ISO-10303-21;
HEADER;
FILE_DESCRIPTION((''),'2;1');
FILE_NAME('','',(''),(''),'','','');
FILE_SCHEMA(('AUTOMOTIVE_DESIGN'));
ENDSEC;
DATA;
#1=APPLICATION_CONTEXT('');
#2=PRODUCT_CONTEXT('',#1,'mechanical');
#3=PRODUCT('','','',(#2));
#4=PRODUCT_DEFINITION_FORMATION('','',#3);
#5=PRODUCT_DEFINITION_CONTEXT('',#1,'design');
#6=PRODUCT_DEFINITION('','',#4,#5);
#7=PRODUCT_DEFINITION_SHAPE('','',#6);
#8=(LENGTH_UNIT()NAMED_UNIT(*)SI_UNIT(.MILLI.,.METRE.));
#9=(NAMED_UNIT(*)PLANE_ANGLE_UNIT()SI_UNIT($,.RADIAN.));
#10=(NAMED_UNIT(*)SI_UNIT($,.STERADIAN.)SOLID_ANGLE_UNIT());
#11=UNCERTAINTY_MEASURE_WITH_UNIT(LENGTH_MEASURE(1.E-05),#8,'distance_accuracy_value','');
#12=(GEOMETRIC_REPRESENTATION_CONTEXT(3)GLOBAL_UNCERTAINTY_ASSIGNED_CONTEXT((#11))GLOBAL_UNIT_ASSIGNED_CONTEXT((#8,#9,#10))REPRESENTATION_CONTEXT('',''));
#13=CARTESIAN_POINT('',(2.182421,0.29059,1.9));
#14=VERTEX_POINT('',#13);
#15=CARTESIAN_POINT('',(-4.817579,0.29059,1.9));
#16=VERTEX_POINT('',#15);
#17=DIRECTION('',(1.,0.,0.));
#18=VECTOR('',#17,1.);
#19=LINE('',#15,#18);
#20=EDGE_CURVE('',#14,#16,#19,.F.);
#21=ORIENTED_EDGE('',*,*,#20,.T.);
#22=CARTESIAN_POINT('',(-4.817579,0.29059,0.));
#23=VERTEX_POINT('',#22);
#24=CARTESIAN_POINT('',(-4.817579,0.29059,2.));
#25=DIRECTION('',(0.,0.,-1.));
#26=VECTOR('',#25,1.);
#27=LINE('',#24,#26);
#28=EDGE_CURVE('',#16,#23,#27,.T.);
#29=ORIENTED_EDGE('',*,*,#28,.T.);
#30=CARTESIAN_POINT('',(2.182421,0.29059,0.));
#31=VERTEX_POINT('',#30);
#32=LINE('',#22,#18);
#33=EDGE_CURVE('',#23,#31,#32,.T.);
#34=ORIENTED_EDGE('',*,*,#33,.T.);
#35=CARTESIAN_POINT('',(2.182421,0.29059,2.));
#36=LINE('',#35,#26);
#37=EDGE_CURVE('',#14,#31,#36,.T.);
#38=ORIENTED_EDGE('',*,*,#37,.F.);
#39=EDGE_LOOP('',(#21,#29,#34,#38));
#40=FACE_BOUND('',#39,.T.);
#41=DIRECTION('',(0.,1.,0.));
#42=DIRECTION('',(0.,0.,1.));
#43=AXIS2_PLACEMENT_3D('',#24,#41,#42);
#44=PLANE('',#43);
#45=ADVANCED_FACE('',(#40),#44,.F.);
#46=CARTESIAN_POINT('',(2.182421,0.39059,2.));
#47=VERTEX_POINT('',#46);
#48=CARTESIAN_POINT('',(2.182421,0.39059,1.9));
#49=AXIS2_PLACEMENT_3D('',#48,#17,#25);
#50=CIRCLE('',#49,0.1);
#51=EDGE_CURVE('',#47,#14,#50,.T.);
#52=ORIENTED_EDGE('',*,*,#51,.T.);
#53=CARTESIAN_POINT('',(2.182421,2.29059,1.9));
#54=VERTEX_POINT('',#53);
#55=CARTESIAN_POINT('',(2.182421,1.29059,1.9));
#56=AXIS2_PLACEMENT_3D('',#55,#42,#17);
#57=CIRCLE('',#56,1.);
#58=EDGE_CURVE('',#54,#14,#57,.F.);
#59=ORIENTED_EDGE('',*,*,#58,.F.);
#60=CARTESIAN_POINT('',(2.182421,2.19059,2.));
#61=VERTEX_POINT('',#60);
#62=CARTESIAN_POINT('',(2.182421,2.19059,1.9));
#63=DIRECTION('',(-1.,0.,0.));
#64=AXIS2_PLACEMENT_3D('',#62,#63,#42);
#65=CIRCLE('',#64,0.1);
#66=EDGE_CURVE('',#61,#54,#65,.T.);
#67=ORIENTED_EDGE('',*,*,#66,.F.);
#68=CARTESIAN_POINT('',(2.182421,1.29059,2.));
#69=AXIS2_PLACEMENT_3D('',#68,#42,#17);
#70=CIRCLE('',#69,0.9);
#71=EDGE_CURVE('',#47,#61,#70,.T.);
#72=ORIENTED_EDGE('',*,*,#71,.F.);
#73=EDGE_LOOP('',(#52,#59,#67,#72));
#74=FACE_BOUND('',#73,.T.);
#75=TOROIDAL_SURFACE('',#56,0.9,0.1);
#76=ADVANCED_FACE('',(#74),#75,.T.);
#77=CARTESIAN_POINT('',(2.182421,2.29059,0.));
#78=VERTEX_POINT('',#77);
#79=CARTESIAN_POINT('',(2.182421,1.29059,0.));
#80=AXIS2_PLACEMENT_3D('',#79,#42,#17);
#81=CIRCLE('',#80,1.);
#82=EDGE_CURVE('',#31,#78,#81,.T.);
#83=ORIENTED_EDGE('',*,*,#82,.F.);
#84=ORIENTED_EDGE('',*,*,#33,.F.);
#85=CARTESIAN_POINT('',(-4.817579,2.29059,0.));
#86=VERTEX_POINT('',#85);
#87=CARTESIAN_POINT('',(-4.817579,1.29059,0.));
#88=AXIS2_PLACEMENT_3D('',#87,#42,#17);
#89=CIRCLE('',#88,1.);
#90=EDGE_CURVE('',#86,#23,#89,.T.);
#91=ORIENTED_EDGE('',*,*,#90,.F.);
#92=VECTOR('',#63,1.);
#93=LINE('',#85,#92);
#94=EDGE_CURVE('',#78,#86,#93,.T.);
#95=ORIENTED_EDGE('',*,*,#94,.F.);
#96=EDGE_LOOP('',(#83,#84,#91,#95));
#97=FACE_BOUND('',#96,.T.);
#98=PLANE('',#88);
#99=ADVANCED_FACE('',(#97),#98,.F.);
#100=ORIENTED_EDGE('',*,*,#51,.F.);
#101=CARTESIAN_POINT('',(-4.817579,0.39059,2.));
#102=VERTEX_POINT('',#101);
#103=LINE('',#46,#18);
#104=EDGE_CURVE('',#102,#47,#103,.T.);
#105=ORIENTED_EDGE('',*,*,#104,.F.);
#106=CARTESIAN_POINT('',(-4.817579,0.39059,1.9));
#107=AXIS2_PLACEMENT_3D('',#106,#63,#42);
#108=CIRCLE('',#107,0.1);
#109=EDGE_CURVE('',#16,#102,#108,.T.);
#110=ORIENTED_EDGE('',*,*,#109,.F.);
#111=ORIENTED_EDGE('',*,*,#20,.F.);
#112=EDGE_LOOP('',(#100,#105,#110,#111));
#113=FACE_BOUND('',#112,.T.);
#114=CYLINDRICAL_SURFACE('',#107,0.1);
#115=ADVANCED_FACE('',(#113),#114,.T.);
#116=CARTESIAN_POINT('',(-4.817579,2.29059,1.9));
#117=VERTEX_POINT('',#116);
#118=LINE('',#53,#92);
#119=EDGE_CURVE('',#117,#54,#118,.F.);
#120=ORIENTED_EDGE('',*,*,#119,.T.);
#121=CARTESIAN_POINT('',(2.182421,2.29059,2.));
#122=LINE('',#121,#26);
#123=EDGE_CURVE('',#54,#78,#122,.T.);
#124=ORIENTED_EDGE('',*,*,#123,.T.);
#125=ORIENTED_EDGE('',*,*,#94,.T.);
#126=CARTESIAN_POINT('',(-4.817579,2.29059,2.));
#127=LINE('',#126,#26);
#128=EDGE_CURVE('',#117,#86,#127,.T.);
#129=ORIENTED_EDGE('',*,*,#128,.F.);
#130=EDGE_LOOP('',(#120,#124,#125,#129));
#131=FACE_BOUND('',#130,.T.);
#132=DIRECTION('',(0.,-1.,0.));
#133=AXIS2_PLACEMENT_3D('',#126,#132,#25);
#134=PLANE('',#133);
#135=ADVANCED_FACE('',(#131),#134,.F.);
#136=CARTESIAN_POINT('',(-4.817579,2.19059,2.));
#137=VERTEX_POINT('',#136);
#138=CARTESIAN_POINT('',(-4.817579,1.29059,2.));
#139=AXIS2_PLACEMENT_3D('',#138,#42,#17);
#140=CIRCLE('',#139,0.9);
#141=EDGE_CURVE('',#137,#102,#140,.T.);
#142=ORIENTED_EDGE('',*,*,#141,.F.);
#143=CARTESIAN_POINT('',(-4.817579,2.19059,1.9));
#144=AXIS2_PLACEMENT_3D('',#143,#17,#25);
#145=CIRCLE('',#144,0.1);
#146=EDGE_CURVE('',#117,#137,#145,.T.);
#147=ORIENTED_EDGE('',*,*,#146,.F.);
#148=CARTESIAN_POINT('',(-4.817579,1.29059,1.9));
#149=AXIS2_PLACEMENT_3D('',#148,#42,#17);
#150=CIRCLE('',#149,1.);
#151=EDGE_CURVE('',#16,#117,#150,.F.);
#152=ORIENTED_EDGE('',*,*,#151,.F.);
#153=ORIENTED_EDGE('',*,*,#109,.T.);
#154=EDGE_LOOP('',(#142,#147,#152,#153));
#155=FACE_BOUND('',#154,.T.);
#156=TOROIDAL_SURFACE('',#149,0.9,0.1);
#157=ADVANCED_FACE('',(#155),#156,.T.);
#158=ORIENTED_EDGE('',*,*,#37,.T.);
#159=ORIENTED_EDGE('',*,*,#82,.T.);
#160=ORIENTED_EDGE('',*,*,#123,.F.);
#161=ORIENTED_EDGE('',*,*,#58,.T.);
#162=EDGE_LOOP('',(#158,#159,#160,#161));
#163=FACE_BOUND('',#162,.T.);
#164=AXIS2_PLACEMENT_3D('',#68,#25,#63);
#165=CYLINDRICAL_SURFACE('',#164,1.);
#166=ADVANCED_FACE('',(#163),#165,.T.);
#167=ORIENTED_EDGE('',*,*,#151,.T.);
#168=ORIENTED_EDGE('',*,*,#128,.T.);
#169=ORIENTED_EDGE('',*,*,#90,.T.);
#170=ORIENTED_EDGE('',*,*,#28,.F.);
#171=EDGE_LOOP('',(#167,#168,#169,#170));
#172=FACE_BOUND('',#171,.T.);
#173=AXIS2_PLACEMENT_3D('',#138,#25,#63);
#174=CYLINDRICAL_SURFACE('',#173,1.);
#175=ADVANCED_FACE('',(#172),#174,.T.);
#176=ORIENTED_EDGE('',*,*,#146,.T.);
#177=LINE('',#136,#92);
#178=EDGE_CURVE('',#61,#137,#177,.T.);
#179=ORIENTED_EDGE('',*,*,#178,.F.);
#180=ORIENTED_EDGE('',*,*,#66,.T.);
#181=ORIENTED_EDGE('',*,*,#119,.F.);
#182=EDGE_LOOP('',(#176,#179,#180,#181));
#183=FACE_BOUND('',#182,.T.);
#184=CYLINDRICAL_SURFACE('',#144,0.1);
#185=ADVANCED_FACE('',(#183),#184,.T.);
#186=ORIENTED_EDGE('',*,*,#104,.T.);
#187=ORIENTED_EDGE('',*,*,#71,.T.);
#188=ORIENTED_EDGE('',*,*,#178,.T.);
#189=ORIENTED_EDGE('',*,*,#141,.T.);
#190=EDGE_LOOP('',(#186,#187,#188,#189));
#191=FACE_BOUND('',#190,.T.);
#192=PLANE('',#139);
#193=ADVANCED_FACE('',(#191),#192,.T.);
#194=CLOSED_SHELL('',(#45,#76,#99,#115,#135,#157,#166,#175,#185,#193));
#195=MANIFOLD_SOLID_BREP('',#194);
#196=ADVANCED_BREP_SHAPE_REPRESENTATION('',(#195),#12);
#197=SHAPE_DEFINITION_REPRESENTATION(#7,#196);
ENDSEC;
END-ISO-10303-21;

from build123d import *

# Parameters (mm, degrees)
EXTRUDE_1_DEPTH = 2
FILLET_1_R      = 0.1


with BuildPart() as part:
    # 草图1 → 凸台-拉伸1 (new body)
    with BuildSketch(Plane.XY):
        with BuildLine():
            Line((-4.817578773, 2.290590087), (2.182421227, 2.290590087))
            ThreePointArc((2.182421227, 2.290590087), (3.182421227, 1.290590087), (2.182421227, 0.290590087))
            Line((2.182421227, 0.290590087), (-4.817578773, 0.290590087))
            ThreePointArc((-4.817578773, 0.290590087), (-5.817578773, 1.290590087), (-4.817578773, 2.290590087))
        make_face()
    extrude(amount=EXTRUDE_1_DEPTH)

    # 圆角1
    fillet_1_edges = [part.edges().sort_by_distance(p)[0] for p in [
        (3.182421227, 1.290590087, 2),
        (-1.317578773, 2.290590087, 2),
        (-5.817578773, 1.290590087, 2),
        (-1.317578773, 0.290590087, 2),
    ]]
    fillet(fillet_1_edges, radius=FILLET_1_R)


solid = part.part
